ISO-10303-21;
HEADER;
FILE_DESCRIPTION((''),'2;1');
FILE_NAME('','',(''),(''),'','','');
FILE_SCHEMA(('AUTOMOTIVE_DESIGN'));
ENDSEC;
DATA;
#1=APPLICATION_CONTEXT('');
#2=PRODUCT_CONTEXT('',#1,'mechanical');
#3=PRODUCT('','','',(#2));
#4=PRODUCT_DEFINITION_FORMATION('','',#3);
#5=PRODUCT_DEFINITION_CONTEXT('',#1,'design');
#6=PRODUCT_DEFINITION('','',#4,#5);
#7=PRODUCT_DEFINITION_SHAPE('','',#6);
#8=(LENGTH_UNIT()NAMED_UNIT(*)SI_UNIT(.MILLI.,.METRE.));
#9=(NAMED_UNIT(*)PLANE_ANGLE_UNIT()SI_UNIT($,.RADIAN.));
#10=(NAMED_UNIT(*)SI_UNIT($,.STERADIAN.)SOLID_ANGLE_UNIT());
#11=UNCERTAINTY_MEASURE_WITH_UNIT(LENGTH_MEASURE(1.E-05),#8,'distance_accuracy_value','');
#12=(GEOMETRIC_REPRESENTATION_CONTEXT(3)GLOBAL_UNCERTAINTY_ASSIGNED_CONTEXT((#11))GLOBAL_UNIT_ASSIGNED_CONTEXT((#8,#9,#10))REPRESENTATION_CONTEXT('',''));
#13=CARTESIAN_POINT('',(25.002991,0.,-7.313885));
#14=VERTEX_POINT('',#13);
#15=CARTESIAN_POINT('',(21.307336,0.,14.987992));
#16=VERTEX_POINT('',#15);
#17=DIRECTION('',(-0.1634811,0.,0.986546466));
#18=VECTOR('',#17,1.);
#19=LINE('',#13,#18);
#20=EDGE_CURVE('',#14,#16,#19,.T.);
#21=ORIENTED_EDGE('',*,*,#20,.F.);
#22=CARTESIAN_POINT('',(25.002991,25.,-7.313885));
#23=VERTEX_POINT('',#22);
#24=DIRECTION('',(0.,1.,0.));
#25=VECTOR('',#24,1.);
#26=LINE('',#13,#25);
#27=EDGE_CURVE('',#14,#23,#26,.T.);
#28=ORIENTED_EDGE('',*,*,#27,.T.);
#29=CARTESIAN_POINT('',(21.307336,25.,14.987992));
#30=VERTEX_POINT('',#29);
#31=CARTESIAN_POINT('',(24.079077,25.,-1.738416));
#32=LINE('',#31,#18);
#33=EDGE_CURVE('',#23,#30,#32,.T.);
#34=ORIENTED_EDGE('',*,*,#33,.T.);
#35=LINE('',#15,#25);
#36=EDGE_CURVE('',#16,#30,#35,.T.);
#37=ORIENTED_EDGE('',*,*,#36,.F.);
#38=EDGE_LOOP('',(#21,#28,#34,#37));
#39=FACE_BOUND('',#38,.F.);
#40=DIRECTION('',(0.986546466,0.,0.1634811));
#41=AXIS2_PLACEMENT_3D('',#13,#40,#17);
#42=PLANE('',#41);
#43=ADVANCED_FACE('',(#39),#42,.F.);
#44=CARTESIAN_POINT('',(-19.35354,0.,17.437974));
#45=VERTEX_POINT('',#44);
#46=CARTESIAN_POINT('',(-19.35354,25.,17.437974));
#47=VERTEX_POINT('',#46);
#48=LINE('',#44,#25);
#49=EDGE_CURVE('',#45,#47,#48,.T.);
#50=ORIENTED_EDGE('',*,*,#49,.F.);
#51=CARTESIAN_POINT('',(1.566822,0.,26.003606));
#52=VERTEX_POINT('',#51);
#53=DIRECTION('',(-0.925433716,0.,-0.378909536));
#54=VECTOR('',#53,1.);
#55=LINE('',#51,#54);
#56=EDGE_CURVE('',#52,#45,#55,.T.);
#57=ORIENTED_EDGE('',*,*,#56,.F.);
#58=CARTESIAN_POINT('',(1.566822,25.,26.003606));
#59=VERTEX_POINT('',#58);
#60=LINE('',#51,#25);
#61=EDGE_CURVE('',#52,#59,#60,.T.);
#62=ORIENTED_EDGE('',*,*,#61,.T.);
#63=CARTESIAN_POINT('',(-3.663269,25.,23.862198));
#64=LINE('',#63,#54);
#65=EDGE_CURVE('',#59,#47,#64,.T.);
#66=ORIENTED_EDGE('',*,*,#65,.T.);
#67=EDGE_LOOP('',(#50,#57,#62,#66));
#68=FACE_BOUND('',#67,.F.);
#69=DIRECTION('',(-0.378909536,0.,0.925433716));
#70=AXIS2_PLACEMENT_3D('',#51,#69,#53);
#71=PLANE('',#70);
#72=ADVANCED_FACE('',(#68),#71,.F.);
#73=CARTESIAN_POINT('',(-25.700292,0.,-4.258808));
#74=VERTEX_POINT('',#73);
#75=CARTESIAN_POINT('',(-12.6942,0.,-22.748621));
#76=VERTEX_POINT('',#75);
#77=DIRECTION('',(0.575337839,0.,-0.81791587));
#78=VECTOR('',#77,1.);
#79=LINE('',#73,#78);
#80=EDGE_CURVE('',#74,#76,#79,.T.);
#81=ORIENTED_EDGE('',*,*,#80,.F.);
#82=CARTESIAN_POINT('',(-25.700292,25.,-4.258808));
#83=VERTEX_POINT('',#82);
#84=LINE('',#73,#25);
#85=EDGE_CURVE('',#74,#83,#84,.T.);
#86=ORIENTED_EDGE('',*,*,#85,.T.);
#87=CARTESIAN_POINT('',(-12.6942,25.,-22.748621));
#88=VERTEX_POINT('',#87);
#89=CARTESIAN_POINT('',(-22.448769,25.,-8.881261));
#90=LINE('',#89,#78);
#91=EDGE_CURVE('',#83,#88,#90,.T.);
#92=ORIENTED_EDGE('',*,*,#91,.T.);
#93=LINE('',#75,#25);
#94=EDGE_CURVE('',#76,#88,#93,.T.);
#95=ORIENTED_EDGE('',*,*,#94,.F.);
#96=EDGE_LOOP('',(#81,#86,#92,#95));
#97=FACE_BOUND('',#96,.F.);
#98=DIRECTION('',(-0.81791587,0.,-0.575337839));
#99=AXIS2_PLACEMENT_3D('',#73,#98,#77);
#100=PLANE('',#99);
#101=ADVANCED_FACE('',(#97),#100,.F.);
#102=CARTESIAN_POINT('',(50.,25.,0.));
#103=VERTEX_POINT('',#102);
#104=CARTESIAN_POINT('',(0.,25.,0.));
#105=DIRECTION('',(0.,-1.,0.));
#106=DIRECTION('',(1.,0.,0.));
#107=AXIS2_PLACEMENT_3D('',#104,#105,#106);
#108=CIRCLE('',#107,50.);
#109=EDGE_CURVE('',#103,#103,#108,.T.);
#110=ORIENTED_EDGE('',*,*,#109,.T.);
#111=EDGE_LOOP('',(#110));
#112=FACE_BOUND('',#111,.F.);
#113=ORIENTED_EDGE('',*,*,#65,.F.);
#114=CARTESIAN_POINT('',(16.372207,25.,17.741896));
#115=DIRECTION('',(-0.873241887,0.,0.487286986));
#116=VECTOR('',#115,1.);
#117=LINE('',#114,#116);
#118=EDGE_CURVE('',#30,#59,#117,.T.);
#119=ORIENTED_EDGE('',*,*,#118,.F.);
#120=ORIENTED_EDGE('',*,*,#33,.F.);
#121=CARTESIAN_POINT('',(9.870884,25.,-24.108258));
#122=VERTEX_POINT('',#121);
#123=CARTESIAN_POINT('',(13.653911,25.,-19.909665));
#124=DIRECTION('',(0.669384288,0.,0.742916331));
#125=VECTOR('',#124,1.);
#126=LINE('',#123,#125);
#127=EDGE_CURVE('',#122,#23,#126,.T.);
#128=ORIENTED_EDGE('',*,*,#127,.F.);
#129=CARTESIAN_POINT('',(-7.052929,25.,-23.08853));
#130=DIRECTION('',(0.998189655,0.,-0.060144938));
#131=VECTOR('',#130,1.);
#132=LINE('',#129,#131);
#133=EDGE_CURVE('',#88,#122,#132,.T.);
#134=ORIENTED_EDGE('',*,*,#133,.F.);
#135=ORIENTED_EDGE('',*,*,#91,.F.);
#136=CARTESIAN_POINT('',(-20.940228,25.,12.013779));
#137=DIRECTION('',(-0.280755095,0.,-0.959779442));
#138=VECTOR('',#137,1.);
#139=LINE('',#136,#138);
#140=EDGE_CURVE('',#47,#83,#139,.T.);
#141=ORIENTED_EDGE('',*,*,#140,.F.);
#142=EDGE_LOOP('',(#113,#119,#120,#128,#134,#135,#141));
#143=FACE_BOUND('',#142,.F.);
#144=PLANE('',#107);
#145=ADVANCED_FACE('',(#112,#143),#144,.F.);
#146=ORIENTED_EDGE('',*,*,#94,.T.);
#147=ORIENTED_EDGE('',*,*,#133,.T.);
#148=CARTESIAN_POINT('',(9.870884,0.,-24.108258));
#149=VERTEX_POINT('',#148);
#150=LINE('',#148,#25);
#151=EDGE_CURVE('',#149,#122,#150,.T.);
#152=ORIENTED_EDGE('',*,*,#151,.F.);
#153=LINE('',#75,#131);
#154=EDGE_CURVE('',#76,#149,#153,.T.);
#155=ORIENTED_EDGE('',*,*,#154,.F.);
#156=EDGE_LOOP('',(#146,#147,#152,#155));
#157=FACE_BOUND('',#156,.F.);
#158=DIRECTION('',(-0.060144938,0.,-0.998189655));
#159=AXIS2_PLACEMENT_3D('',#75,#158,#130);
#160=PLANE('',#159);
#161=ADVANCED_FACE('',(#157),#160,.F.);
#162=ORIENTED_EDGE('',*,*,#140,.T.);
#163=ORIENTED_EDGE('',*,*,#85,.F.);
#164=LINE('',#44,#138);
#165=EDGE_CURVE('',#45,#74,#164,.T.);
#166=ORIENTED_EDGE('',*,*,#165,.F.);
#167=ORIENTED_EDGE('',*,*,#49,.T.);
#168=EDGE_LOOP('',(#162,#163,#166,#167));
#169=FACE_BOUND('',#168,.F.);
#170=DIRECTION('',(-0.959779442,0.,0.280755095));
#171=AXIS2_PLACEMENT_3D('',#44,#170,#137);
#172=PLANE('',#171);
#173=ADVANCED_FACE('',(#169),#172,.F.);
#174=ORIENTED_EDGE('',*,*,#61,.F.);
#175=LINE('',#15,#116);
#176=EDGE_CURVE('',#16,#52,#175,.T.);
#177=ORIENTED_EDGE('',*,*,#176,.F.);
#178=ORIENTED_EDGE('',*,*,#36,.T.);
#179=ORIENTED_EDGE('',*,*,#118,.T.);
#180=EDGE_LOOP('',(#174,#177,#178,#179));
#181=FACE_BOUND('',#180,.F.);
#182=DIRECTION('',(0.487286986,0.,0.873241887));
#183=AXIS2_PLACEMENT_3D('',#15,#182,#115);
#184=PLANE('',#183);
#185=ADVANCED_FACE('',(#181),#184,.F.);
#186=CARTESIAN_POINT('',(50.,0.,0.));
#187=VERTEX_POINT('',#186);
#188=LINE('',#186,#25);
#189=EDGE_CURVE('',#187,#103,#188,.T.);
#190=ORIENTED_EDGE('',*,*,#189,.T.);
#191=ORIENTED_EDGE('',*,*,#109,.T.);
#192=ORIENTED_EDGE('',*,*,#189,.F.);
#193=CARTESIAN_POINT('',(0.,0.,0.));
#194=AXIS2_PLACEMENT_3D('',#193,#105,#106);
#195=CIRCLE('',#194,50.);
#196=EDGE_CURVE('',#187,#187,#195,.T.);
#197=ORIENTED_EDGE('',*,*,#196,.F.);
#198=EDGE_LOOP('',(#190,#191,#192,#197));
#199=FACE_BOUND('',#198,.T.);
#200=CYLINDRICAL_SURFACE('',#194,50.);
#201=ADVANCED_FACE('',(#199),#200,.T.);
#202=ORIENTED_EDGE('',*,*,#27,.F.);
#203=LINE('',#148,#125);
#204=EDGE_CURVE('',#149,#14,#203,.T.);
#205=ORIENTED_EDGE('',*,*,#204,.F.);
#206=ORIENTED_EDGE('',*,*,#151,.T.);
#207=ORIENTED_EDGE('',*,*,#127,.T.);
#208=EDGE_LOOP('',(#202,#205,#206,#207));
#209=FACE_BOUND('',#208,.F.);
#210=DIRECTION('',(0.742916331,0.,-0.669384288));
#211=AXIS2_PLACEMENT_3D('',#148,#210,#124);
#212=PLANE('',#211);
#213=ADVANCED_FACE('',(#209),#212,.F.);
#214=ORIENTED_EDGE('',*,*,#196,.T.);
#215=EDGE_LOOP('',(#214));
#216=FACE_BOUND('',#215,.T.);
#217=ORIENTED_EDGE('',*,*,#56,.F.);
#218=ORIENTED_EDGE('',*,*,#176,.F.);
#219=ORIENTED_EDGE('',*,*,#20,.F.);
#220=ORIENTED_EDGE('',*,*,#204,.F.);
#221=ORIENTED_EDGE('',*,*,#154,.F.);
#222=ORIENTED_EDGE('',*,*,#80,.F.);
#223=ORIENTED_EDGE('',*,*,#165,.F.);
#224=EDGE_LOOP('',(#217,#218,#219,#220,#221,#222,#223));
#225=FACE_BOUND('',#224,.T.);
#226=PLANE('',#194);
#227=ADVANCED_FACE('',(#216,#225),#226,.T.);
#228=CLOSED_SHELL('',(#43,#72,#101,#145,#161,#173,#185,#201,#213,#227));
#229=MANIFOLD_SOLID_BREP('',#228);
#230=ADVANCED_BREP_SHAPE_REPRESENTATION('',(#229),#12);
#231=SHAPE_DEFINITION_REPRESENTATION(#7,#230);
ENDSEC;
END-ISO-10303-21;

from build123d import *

# Parameters (mm, degrees)
F0_R     = 50
F1_DEPTH = 25
F3_DEPTH = 25.001


with BuildPart() as f1:
    # F0 (on Front) → F1 (new body)
    with BuildSketch(Plane.XZ):
        Circle(F0_R)
    extrude(amount=-F1_DEPTH)

    # F2 (on face) → F3 (cut, through all)
    with BuildSketch(Plane.XZ):
        Polygon((-25.700292, -4.258808), (-12.6942, -22.748621), (9.870884, -24.108258), (25.002991, -7.313885), (21.307336, 14.987992), (1.566822, 26.003606), (-19.35354, 17.437974), align=None)
    extrude(amount=-F3_DEPTH, mode=Mode.SUBTRACT)


solid = f1.part
